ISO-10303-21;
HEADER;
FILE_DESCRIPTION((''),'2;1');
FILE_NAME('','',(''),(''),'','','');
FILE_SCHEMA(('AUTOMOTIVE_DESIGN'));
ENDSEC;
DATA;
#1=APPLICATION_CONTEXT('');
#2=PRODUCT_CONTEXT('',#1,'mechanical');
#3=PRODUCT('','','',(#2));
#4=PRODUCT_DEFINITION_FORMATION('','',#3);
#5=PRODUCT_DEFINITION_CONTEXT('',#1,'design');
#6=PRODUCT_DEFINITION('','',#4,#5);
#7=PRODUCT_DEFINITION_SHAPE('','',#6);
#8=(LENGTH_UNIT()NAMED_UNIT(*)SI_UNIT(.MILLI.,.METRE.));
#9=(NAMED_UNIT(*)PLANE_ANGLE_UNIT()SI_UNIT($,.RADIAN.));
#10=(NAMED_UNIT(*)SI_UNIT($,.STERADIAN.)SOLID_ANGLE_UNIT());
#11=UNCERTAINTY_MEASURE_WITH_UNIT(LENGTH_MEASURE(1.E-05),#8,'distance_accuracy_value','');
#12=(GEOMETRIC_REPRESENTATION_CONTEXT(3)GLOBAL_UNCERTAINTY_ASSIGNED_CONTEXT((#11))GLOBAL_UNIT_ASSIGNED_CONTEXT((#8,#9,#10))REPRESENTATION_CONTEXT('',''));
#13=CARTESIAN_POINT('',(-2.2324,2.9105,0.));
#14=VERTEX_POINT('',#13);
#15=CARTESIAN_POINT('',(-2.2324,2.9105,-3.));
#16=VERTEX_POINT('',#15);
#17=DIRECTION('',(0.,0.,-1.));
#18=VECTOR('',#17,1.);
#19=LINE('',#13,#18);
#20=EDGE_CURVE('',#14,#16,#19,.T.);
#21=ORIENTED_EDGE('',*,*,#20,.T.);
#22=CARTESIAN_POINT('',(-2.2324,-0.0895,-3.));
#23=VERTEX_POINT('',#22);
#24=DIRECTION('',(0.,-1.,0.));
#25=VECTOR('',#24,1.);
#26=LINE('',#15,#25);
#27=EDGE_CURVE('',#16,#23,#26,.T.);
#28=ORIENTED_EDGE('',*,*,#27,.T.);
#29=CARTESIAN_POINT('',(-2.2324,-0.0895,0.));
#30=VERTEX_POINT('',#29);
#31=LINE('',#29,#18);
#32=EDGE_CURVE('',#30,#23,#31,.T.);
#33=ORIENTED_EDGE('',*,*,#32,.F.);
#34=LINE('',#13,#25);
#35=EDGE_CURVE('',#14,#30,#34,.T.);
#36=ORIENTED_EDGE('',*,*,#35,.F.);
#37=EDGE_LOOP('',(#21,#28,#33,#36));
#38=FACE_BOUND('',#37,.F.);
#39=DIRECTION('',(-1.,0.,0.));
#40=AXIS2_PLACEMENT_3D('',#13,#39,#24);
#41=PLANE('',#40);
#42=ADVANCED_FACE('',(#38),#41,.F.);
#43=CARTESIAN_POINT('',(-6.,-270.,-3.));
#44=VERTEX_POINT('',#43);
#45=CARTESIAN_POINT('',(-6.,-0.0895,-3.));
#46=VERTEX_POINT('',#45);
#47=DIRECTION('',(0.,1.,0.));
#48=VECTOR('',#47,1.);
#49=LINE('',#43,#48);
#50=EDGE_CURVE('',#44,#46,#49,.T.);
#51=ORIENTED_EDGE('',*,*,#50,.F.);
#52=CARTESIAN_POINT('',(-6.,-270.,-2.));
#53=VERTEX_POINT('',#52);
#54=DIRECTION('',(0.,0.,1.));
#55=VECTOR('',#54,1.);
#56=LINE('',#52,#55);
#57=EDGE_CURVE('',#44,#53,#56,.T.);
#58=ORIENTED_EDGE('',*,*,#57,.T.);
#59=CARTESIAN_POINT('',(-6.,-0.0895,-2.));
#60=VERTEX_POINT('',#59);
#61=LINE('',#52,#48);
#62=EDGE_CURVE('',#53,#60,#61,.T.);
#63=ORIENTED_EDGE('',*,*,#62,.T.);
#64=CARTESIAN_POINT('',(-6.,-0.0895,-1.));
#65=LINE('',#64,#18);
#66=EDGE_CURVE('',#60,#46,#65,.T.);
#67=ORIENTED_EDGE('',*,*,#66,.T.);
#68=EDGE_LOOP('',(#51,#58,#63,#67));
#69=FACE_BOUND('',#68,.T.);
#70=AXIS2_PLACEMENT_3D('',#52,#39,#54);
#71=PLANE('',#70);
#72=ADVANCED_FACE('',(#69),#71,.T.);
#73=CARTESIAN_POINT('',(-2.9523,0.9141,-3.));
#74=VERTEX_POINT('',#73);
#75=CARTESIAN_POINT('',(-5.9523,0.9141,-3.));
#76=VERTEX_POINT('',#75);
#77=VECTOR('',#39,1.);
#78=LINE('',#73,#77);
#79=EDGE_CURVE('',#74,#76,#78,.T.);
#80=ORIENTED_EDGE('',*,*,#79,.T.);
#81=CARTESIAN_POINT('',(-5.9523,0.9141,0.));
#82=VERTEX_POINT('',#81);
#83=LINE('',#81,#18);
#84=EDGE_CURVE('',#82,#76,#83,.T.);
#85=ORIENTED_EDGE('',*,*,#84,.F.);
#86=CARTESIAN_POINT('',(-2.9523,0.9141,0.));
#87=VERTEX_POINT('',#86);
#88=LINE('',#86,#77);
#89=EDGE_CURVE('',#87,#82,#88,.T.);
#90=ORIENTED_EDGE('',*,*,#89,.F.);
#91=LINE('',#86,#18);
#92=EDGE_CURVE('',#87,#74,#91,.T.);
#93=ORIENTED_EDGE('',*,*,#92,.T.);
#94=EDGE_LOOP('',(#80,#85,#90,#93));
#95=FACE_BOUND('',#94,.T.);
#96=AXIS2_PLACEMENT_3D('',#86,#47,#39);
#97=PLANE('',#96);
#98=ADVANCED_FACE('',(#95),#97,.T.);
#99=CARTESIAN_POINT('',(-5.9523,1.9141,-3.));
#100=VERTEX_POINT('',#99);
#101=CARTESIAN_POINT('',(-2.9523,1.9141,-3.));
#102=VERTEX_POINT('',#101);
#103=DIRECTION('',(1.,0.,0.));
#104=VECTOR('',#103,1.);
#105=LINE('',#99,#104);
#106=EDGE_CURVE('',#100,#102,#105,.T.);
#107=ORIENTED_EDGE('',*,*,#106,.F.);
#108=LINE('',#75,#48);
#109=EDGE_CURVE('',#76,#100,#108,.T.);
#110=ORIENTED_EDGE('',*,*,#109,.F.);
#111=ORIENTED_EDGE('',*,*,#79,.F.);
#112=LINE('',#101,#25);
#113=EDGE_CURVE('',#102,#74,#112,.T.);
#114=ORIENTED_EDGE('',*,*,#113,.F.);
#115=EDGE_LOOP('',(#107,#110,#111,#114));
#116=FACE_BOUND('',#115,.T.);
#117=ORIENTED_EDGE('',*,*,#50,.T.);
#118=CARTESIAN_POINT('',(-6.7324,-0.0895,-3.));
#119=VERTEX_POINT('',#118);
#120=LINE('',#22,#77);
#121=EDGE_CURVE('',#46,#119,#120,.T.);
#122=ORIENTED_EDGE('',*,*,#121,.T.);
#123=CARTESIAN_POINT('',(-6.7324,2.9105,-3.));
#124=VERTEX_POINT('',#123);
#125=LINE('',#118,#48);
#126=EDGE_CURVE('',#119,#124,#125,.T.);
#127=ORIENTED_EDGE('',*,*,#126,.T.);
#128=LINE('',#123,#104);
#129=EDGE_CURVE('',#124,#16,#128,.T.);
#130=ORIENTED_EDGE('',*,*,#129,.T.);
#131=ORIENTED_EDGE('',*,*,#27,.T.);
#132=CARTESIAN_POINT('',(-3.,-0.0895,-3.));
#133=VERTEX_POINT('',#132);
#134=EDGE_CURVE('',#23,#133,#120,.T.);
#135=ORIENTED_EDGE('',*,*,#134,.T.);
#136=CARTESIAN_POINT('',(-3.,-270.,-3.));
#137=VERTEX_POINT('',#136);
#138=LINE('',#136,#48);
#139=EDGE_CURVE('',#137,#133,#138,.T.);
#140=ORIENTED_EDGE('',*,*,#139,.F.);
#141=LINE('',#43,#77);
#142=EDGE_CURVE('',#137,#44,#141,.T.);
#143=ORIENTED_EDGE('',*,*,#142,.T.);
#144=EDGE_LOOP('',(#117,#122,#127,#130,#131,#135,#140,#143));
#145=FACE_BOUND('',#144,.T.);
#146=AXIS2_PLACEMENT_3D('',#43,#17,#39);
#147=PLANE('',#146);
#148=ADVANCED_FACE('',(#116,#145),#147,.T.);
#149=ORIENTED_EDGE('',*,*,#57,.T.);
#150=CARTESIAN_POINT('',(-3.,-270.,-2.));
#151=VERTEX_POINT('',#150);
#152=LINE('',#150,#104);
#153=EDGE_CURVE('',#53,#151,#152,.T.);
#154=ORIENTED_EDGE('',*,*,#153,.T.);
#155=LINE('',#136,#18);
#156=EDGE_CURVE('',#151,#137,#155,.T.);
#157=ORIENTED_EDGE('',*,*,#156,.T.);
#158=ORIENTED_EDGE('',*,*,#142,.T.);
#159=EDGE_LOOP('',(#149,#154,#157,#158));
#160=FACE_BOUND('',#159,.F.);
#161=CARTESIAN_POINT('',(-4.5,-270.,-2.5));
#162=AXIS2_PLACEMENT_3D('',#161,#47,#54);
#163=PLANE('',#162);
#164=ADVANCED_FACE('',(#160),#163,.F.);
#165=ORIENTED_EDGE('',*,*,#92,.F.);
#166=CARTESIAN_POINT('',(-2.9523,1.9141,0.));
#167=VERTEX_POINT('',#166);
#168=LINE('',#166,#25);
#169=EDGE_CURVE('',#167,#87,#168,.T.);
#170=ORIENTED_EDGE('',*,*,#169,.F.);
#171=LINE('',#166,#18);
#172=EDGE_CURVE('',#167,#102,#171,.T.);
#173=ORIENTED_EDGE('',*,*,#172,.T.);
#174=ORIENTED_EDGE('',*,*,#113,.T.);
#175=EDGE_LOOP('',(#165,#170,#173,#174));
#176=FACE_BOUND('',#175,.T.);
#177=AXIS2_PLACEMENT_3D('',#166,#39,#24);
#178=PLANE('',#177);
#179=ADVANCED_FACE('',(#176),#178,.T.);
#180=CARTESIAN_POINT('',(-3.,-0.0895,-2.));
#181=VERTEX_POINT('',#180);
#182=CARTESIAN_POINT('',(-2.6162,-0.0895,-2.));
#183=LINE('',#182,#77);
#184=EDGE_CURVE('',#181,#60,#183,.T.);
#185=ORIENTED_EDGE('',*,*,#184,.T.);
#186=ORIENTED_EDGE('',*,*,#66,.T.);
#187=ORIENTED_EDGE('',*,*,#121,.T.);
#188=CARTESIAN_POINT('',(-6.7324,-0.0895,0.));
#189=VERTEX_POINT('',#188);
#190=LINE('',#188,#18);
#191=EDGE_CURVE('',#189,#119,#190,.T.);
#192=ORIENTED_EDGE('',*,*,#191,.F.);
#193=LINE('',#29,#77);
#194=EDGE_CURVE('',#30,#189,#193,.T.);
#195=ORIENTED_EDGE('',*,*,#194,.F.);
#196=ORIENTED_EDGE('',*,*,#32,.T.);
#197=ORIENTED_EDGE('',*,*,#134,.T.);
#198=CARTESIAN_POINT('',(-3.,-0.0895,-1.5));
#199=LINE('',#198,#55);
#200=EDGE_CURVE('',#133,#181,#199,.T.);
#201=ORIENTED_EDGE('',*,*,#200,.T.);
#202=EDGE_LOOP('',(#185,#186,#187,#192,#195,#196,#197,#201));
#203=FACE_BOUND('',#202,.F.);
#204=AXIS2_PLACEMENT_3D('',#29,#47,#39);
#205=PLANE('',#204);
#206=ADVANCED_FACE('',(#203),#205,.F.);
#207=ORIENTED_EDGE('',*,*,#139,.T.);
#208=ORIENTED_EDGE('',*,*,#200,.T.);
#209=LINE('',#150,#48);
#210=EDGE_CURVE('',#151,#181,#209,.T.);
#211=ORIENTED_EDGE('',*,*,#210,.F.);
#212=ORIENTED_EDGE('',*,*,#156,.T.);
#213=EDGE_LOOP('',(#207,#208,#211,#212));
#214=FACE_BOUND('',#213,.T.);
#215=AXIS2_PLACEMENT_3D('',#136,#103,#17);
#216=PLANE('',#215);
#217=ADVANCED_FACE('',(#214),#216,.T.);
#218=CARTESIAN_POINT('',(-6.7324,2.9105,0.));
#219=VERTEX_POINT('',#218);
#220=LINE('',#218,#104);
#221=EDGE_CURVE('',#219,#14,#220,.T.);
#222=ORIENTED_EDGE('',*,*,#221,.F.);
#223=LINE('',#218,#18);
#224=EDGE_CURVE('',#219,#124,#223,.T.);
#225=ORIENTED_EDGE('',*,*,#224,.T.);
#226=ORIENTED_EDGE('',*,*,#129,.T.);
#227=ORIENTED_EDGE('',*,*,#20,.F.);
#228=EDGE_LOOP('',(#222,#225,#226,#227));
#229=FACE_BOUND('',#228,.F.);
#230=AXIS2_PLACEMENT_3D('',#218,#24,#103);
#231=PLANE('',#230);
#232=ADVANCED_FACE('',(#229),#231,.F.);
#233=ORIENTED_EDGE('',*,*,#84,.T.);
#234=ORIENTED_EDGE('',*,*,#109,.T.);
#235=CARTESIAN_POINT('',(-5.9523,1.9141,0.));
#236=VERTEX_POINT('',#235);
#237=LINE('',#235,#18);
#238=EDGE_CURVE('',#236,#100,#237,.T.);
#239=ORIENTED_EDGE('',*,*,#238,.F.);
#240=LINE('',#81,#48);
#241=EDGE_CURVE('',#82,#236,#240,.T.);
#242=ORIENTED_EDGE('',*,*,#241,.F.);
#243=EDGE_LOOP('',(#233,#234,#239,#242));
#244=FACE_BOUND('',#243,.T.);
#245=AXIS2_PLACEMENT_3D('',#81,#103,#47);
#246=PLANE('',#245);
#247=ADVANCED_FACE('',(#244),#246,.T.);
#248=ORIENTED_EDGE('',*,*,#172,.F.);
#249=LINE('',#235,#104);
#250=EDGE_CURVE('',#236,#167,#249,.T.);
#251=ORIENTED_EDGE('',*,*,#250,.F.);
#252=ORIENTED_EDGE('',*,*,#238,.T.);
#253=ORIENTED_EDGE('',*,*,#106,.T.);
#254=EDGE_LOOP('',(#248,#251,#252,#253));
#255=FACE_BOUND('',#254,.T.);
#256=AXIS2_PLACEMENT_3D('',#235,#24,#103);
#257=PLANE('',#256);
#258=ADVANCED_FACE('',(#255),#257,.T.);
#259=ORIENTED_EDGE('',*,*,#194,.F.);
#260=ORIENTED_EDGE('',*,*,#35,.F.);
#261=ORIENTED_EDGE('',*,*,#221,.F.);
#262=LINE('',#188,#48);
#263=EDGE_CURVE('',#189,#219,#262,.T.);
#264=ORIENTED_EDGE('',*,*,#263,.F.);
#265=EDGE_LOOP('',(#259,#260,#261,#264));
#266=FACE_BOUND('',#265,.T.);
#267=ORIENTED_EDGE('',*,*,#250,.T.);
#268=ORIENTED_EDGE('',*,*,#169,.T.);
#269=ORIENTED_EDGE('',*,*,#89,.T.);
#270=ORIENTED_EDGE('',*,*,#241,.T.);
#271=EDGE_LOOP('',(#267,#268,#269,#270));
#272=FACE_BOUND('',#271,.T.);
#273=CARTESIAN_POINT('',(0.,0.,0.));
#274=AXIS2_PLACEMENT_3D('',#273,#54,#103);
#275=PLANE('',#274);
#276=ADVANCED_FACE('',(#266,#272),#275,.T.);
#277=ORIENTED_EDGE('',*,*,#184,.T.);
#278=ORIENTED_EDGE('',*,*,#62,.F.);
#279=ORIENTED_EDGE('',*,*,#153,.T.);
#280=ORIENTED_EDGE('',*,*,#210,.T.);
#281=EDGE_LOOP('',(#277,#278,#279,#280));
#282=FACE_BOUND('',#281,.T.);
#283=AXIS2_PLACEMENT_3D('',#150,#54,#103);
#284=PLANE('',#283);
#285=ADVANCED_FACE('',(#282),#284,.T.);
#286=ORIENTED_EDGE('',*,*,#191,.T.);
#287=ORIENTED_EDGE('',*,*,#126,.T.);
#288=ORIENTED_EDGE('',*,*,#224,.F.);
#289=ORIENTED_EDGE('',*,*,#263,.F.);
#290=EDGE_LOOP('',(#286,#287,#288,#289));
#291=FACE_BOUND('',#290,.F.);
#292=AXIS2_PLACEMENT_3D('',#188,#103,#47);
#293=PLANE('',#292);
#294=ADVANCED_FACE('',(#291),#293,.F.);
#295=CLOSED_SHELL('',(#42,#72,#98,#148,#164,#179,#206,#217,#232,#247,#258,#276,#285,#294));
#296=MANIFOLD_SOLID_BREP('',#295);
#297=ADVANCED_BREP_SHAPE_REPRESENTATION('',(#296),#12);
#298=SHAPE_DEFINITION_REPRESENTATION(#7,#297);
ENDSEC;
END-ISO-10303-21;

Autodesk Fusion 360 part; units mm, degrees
sketch "Sketch1" plane through (0, 0, 0) normal (1, 0, 0) x (0, 0, -1)
  line L0 (0, -270) -> (0, 0)
  dimension "d15" = 270
sketch "Sketch2" plane through (0, 0, 0) normal (0, 1, 0) x (1, 0, 0)
  line L0 (-6, 3) -> (-3, 3)
  line L1 (-3, 3) -> (-3, 2)
  line L2 (-3, 2) -> (-6, 2)
  line L3 (-6, 2) -> (-6, 3)
  dimension "d1" = 1
  dimension "d2" = 3
sweep "Sweep1" add profiles "Sketch2" path "Sketch1" along L0 section 1
sketch "Sketch3" plane through (0, 0, 0) normal (0, 0, 1) x (1, 0, 0)
  line L0 (-6.7324, 2.9105) -> (-2.2324, 2.9105)
  line L1 (-2.2324, 2.9105) -> (-2.2324, -0.0895)
  line L2 (-2.2324, -0.0895) -> (-6.7324, -0.0895)
  line L3 (-6.7324, -0.0895) -> (-6.7324, 2.9105)
  line L4 (-5.9523, 1.9141) -> (-2.9523, 1.9141)
  line L5 (-2.9523, 1.9141) -> (-2.9523, 0.9141)
  line L6 (-2.9523, 0.9141) -> (-5.9523, 0.9141)
  line L7 (-5.9523, 0.9141) -> (-5.9523, 1.9141)
  dimension "d9" = 3
  dimension "d10" = 1
  dimension "d11" = 3
  dimension "d12" = 4.5
extrude "Extrude1" add sketch "Sketch3" against normal blind 3
